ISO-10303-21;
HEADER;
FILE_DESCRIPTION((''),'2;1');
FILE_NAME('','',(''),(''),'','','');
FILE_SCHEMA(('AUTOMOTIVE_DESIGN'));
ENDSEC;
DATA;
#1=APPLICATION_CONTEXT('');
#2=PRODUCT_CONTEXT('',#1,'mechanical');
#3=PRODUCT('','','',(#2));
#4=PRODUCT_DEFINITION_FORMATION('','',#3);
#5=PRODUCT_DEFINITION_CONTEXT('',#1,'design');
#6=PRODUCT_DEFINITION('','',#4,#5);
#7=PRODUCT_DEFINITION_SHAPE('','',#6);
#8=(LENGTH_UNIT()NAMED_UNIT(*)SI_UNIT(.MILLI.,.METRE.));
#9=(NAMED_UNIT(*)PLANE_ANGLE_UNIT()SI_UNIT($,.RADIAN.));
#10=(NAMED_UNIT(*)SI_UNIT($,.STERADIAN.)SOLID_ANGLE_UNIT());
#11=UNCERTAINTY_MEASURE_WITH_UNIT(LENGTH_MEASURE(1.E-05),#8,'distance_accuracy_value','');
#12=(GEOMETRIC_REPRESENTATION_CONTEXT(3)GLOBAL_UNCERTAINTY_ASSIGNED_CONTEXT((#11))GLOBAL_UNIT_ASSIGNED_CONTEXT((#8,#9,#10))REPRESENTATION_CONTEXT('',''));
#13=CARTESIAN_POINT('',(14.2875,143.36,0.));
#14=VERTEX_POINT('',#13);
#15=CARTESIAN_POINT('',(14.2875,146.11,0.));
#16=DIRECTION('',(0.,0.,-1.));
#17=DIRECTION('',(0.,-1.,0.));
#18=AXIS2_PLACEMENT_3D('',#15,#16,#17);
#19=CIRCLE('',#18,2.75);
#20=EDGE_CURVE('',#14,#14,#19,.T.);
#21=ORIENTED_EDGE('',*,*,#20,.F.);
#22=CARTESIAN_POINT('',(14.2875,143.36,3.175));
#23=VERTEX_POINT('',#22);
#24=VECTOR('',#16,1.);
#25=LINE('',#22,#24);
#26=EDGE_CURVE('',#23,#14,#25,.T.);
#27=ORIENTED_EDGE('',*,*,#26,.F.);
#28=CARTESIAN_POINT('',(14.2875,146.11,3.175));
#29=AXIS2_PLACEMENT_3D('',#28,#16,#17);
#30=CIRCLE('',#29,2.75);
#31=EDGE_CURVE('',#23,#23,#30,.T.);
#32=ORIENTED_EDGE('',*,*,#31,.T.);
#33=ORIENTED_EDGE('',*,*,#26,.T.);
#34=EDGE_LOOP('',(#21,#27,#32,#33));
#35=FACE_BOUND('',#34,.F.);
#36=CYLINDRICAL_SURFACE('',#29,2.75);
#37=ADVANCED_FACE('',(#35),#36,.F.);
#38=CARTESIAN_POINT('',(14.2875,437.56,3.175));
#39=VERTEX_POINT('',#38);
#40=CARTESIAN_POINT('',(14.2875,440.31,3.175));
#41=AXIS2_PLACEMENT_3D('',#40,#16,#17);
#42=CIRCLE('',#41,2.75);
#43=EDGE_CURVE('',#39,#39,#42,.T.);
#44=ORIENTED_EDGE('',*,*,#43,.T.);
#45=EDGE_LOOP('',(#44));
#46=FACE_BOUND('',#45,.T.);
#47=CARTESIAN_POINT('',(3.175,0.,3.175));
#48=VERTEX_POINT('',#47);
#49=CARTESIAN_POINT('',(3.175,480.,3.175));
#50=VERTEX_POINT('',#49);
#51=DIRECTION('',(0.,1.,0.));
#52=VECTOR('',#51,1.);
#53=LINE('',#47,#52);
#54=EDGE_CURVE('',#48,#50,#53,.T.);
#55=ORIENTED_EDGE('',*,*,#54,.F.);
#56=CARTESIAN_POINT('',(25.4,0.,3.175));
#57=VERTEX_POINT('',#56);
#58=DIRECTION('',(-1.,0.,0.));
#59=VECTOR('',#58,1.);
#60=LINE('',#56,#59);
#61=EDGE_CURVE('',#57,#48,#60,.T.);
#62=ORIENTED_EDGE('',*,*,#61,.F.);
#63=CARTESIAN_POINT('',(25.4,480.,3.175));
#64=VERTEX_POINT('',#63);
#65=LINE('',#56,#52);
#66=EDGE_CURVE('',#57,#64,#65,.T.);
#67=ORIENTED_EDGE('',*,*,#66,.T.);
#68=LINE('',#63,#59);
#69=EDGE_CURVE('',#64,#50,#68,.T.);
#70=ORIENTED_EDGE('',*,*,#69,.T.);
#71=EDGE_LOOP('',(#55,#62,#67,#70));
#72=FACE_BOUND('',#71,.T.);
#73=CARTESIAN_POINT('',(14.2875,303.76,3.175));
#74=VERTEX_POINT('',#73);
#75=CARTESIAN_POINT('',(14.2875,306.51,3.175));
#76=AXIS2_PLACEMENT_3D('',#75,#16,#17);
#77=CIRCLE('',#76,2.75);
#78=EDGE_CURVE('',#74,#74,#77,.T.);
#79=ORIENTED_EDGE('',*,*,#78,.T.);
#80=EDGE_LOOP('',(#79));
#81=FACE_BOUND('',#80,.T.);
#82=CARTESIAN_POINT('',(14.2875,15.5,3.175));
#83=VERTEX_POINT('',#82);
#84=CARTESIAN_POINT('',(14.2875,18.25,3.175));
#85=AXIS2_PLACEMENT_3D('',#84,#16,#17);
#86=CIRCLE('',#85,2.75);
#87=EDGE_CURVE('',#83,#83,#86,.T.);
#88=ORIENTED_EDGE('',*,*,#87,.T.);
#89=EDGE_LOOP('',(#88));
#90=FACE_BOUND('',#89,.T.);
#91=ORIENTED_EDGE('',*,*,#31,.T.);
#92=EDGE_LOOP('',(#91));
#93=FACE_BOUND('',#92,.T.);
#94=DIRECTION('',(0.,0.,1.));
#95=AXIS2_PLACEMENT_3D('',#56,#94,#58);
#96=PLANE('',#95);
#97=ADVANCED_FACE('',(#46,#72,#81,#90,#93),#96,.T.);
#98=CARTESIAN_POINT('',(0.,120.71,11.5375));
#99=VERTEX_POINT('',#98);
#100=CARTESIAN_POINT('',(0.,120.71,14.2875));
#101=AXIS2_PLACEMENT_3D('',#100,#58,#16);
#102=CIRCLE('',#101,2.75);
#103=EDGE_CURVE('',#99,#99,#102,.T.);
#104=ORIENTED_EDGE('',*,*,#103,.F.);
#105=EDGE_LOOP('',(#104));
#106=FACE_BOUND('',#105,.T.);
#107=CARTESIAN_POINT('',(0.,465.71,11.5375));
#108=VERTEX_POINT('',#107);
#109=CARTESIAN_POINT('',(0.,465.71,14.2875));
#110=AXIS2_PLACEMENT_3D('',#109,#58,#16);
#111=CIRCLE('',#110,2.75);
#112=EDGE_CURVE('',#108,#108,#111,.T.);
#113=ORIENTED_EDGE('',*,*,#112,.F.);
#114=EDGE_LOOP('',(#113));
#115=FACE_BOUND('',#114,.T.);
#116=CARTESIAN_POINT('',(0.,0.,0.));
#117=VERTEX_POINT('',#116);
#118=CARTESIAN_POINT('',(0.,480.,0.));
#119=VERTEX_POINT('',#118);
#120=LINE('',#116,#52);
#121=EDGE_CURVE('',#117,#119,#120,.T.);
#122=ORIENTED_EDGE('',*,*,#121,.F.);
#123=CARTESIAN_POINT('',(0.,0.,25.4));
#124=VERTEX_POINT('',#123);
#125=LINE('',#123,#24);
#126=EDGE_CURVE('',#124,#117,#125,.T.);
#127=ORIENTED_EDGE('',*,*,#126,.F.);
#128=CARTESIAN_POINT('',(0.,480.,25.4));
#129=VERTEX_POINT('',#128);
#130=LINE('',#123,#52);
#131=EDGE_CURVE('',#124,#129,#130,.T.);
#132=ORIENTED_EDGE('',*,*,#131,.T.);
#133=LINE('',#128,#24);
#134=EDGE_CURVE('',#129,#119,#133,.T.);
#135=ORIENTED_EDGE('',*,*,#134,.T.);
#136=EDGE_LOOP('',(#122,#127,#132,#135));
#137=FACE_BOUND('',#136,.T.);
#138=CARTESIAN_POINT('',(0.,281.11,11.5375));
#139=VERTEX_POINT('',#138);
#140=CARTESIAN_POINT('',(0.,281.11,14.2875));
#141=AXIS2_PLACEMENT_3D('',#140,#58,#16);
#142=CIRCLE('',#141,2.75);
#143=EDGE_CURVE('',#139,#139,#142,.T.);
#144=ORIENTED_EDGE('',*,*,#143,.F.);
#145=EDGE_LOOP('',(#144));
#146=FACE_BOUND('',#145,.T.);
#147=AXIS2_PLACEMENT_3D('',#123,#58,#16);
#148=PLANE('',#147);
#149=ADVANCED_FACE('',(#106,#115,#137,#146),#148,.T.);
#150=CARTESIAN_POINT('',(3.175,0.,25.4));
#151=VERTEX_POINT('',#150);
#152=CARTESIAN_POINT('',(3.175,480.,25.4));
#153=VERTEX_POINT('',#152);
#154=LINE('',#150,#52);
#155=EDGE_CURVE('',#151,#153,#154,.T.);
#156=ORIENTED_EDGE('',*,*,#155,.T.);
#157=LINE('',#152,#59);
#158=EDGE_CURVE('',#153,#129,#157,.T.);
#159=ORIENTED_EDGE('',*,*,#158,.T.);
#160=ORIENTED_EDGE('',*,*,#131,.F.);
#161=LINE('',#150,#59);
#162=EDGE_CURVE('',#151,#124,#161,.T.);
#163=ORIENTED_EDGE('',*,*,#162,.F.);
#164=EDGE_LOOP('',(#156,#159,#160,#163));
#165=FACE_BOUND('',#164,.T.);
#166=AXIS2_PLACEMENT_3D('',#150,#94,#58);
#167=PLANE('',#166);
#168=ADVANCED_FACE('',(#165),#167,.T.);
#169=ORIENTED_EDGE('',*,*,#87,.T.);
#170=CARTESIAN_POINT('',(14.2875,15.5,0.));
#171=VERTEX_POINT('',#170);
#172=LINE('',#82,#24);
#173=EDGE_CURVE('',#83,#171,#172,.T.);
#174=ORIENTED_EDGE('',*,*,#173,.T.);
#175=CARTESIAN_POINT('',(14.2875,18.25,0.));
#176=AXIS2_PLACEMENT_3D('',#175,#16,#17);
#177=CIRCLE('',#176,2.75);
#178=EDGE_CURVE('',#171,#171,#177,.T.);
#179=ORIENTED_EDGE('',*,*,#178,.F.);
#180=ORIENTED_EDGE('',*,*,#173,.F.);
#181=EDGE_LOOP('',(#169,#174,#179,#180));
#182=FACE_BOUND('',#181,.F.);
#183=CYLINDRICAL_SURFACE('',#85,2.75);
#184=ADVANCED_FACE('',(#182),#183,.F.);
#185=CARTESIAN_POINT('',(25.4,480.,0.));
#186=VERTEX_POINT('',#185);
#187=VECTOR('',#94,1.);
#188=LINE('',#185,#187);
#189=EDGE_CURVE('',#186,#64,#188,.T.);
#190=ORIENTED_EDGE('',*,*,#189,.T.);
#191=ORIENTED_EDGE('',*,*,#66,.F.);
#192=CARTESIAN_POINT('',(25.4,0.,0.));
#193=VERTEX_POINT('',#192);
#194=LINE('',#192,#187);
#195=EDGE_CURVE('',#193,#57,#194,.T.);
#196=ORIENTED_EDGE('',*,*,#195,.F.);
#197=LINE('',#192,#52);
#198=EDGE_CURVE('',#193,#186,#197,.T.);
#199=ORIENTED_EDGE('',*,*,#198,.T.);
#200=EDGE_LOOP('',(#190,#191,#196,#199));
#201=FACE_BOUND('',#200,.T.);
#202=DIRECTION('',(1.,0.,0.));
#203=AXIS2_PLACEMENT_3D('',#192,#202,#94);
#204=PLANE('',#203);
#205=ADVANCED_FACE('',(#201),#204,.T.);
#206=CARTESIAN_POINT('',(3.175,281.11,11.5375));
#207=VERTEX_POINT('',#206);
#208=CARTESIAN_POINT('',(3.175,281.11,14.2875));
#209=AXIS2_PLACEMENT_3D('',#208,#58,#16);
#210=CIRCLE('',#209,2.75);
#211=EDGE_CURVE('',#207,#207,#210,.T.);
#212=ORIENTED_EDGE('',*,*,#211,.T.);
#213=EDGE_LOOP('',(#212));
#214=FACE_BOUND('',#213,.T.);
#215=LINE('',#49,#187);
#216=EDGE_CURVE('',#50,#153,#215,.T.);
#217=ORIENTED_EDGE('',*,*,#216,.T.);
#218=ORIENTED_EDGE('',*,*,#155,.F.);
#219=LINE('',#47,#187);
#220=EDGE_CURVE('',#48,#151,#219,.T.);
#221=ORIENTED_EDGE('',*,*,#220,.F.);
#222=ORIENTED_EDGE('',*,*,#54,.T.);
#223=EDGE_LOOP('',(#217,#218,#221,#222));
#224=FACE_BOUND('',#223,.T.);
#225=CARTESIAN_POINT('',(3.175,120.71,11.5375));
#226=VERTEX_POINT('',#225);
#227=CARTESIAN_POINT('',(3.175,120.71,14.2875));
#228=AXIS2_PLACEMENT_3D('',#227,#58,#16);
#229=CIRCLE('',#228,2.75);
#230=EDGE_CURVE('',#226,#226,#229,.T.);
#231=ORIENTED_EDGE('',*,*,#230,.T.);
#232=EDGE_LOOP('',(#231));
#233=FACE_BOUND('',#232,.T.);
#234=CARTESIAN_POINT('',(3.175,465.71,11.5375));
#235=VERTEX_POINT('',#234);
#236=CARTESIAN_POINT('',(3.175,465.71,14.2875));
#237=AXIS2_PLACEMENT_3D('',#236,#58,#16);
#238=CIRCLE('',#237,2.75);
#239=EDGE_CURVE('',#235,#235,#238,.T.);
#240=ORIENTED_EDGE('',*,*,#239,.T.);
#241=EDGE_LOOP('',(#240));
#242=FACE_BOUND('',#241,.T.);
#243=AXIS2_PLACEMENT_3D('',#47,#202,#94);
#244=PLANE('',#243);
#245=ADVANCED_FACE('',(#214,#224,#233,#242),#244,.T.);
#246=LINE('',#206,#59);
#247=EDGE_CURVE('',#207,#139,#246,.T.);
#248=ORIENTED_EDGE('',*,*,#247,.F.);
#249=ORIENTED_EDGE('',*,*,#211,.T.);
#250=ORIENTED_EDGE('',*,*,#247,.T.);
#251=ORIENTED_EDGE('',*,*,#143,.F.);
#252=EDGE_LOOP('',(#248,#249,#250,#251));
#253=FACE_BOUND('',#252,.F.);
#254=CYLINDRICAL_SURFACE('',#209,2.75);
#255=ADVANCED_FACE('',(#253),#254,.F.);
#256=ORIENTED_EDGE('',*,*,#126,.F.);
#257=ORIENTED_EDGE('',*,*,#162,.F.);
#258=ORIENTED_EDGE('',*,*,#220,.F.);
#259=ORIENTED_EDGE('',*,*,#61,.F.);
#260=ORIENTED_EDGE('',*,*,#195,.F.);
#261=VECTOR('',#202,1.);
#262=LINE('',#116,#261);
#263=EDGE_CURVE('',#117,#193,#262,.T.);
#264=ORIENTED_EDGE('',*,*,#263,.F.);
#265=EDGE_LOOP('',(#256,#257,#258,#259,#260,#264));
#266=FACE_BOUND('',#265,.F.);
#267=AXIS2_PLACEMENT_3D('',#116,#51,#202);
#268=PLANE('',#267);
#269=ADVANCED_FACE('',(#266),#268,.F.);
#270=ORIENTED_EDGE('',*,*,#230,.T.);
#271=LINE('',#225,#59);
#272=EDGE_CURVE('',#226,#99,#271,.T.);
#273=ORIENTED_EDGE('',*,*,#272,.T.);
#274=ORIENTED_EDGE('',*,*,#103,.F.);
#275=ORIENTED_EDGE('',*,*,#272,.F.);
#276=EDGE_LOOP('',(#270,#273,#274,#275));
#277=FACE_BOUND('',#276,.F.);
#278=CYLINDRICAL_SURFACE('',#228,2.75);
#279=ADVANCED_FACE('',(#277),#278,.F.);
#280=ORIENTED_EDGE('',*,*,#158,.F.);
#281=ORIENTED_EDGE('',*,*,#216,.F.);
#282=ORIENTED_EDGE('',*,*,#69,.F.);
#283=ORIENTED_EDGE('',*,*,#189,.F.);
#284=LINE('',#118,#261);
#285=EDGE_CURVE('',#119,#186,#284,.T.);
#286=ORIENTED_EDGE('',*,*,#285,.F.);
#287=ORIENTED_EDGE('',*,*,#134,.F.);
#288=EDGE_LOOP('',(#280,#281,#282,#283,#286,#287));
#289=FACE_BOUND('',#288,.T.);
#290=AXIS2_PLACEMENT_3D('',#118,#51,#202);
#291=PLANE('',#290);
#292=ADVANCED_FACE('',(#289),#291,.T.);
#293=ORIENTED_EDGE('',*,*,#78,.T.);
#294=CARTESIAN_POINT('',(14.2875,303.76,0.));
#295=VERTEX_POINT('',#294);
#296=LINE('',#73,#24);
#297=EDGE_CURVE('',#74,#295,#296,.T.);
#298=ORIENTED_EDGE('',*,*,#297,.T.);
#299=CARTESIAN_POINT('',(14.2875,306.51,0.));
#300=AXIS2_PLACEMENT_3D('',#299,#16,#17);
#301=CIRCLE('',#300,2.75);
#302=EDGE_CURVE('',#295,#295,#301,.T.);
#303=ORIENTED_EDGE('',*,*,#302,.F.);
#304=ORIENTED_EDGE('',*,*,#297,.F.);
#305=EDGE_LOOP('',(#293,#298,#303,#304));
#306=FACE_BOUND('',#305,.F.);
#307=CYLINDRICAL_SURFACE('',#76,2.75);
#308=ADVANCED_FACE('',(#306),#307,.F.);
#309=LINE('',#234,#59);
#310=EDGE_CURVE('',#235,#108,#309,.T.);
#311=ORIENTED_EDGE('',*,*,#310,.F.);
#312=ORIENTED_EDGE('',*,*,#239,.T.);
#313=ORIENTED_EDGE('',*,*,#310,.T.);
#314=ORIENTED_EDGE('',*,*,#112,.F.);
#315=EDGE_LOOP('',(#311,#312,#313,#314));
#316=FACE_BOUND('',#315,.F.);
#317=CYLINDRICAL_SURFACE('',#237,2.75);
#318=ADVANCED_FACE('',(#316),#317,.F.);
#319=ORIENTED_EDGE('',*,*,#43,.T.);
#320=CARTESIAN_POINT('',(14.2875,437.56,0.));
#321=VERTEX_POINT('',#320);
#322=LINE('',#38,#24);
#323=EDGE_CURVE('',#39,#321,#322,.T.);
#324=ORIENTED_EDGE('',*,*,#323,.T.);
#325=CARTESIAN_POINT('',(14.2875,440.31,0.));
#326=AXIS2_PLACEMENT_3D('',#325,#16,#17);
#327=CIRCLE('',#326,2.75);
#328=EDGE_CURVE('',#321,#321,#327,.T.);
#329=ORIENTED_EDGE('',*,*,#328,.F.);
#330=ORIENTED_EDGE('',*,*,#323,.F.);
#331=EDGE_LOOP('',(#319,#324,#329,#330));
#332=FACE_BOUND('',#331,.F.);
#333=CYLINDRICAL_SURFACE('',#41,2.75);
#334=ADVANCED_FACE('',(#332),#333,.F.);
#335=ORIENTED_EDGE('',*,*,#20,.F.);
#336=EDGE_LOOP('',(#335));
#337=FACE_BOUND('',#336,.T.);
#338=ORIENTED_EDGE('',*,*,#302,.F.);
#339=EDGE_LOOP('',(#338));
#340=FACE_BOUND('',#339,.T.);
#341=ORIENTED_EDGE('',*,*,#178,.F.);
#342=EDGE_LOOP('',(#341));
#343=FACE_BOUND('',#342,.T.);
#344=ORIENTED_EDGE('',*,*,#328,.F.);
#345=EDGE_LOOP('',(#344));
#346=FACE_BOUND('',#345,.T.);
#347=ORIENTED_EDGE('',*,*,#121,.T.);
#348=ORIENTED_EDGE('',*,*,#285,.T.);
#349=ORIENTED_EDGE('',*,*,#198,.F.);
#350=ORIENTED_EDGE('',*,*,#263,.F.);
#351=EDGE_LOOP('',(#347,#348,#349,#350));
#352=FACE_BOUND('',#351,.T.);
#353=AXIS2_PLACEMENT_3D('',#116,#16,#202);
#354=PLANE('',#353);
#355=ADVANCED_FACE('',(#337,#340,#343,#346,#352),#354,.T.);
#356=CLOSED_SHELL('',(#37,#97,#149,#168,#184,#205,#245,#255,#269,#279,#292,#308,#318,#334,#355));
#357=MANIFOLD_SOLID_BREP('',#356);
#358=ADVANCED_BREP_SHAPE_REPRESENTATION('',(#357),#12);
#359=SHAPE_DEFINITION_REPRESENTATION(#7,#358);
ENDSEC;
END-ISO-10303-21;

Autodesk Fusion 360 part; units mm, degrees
sketch "Sketch1" plane through (0, 0, 0) normal (0, 1, 0) x (1, 0, 0)
  line L0 (0, 0) -> (25.4, 0)
  line L1 (25.4, 0) -> (25.4, -3.175)
  line L2 (25.4, -3.175) -> (3.175, -3.175)
  line L3 (3.175, -3.175) -> (3.175, -25.4)
  line L4 (3.175, -25.4) -> (0, -25.4)
  line L5 (0, -25.4) -> (0, 0)
  dimension "d1" = 25.4
  dimension "d2" = 25.4
  dimension "d3" = 3.175
  dimension "d4" = 3.175
extrude "Extrude1" add sketch "Sketch1" along normal blind 480
sketch "Sketch2" plane through (0, 0, 3.175) normal (0, 0, 1) x (1, 0, 0)
  line L0 (3.175, 0) -> (25.4, 0)
  line L1 (25.4, 0) -> (25.4, 480)
  line L2 (25.4, 480) -> (3.175, 480)
  line L3 (3.175, 480) -> (3.175, 0)
  circle A0 centre (14.2875, 18.25) radius 2.75
  circle A1 centre (14.2875, 146.11) radius 2.75
  circle A2 centre (14.2875, 306.51) radius 2.75
  circle A3 centre (14.2875, 440.31) radius 2.75
  line L4 (14.2875, 480) -> (14.2875, 0) construction
  dimension "d7" = 18.25
  dimension "d8" = 146.11
  dimension "d9" = 306.51
  dimension "d10" = 440.31
  dimension "d11" = 5.5
sketch "Sketch3" plane through (3.175, 0, 0) normal (1, 0, 0) x (0, 0, -1)
  line L0 (-25.4, 0) -> (-3.175, 0)
  line L1 (-3.175, 0) -> (-3.175, 480)
  line L2 (-3.175, 480) -> (-25.4, 480)
  line L3 (-25.4, 480) -> (-25.4, 0)
  circle A0 centre (-14.2875, 120.71) radius 2.75
  circle A1 centre (-14.2875, 281.11) radius 2.75
  circle A2 centre (-14.2875, 465.71) radius 2.75
  line L4 (-14.2875, 480) -> (-14.2875, 0) construction
  dimension "d12" = 120.71
  dimension "d13" = 5.5
  dimension "d14" = 281.11
  dimension "d15" = 465.71
hole "Hole1" at (3.175, 465.71, 14.2875) at (3.175, 281.11, 14.2875) at (3.175, 120.71, 14.2875) direction (-1, 0, 0) diameter 5.5 depth 7 tip angle 118
hole "Hole2" at (14.2875, 440.31, 3.175) at (14.2875, 306.51, 3.175) at (14.2875, 146.11, 3.175) at (14.2875, 18.25, 3.175) direction (0, 0, -1) diameter 5.5 depth 7 tip angle 118
equation "d3 = ( 1 / 8 ) * 1 in"
equation "d4 = ( 1 / 8 ) * 1 in"
equation "d8 = 135 mm + 11.11 mm"
equation "d9 = 295.4 mm + 11.11 mm"
equation "d10 = 429.2 mm + 11.11 mm"
equation "d12 = 109.6 mm + 11.11 mm"
equation "d14 = 270 mm + 11.11 mm"
equation "d15 = 454.6 mm + 11.11 mm"
